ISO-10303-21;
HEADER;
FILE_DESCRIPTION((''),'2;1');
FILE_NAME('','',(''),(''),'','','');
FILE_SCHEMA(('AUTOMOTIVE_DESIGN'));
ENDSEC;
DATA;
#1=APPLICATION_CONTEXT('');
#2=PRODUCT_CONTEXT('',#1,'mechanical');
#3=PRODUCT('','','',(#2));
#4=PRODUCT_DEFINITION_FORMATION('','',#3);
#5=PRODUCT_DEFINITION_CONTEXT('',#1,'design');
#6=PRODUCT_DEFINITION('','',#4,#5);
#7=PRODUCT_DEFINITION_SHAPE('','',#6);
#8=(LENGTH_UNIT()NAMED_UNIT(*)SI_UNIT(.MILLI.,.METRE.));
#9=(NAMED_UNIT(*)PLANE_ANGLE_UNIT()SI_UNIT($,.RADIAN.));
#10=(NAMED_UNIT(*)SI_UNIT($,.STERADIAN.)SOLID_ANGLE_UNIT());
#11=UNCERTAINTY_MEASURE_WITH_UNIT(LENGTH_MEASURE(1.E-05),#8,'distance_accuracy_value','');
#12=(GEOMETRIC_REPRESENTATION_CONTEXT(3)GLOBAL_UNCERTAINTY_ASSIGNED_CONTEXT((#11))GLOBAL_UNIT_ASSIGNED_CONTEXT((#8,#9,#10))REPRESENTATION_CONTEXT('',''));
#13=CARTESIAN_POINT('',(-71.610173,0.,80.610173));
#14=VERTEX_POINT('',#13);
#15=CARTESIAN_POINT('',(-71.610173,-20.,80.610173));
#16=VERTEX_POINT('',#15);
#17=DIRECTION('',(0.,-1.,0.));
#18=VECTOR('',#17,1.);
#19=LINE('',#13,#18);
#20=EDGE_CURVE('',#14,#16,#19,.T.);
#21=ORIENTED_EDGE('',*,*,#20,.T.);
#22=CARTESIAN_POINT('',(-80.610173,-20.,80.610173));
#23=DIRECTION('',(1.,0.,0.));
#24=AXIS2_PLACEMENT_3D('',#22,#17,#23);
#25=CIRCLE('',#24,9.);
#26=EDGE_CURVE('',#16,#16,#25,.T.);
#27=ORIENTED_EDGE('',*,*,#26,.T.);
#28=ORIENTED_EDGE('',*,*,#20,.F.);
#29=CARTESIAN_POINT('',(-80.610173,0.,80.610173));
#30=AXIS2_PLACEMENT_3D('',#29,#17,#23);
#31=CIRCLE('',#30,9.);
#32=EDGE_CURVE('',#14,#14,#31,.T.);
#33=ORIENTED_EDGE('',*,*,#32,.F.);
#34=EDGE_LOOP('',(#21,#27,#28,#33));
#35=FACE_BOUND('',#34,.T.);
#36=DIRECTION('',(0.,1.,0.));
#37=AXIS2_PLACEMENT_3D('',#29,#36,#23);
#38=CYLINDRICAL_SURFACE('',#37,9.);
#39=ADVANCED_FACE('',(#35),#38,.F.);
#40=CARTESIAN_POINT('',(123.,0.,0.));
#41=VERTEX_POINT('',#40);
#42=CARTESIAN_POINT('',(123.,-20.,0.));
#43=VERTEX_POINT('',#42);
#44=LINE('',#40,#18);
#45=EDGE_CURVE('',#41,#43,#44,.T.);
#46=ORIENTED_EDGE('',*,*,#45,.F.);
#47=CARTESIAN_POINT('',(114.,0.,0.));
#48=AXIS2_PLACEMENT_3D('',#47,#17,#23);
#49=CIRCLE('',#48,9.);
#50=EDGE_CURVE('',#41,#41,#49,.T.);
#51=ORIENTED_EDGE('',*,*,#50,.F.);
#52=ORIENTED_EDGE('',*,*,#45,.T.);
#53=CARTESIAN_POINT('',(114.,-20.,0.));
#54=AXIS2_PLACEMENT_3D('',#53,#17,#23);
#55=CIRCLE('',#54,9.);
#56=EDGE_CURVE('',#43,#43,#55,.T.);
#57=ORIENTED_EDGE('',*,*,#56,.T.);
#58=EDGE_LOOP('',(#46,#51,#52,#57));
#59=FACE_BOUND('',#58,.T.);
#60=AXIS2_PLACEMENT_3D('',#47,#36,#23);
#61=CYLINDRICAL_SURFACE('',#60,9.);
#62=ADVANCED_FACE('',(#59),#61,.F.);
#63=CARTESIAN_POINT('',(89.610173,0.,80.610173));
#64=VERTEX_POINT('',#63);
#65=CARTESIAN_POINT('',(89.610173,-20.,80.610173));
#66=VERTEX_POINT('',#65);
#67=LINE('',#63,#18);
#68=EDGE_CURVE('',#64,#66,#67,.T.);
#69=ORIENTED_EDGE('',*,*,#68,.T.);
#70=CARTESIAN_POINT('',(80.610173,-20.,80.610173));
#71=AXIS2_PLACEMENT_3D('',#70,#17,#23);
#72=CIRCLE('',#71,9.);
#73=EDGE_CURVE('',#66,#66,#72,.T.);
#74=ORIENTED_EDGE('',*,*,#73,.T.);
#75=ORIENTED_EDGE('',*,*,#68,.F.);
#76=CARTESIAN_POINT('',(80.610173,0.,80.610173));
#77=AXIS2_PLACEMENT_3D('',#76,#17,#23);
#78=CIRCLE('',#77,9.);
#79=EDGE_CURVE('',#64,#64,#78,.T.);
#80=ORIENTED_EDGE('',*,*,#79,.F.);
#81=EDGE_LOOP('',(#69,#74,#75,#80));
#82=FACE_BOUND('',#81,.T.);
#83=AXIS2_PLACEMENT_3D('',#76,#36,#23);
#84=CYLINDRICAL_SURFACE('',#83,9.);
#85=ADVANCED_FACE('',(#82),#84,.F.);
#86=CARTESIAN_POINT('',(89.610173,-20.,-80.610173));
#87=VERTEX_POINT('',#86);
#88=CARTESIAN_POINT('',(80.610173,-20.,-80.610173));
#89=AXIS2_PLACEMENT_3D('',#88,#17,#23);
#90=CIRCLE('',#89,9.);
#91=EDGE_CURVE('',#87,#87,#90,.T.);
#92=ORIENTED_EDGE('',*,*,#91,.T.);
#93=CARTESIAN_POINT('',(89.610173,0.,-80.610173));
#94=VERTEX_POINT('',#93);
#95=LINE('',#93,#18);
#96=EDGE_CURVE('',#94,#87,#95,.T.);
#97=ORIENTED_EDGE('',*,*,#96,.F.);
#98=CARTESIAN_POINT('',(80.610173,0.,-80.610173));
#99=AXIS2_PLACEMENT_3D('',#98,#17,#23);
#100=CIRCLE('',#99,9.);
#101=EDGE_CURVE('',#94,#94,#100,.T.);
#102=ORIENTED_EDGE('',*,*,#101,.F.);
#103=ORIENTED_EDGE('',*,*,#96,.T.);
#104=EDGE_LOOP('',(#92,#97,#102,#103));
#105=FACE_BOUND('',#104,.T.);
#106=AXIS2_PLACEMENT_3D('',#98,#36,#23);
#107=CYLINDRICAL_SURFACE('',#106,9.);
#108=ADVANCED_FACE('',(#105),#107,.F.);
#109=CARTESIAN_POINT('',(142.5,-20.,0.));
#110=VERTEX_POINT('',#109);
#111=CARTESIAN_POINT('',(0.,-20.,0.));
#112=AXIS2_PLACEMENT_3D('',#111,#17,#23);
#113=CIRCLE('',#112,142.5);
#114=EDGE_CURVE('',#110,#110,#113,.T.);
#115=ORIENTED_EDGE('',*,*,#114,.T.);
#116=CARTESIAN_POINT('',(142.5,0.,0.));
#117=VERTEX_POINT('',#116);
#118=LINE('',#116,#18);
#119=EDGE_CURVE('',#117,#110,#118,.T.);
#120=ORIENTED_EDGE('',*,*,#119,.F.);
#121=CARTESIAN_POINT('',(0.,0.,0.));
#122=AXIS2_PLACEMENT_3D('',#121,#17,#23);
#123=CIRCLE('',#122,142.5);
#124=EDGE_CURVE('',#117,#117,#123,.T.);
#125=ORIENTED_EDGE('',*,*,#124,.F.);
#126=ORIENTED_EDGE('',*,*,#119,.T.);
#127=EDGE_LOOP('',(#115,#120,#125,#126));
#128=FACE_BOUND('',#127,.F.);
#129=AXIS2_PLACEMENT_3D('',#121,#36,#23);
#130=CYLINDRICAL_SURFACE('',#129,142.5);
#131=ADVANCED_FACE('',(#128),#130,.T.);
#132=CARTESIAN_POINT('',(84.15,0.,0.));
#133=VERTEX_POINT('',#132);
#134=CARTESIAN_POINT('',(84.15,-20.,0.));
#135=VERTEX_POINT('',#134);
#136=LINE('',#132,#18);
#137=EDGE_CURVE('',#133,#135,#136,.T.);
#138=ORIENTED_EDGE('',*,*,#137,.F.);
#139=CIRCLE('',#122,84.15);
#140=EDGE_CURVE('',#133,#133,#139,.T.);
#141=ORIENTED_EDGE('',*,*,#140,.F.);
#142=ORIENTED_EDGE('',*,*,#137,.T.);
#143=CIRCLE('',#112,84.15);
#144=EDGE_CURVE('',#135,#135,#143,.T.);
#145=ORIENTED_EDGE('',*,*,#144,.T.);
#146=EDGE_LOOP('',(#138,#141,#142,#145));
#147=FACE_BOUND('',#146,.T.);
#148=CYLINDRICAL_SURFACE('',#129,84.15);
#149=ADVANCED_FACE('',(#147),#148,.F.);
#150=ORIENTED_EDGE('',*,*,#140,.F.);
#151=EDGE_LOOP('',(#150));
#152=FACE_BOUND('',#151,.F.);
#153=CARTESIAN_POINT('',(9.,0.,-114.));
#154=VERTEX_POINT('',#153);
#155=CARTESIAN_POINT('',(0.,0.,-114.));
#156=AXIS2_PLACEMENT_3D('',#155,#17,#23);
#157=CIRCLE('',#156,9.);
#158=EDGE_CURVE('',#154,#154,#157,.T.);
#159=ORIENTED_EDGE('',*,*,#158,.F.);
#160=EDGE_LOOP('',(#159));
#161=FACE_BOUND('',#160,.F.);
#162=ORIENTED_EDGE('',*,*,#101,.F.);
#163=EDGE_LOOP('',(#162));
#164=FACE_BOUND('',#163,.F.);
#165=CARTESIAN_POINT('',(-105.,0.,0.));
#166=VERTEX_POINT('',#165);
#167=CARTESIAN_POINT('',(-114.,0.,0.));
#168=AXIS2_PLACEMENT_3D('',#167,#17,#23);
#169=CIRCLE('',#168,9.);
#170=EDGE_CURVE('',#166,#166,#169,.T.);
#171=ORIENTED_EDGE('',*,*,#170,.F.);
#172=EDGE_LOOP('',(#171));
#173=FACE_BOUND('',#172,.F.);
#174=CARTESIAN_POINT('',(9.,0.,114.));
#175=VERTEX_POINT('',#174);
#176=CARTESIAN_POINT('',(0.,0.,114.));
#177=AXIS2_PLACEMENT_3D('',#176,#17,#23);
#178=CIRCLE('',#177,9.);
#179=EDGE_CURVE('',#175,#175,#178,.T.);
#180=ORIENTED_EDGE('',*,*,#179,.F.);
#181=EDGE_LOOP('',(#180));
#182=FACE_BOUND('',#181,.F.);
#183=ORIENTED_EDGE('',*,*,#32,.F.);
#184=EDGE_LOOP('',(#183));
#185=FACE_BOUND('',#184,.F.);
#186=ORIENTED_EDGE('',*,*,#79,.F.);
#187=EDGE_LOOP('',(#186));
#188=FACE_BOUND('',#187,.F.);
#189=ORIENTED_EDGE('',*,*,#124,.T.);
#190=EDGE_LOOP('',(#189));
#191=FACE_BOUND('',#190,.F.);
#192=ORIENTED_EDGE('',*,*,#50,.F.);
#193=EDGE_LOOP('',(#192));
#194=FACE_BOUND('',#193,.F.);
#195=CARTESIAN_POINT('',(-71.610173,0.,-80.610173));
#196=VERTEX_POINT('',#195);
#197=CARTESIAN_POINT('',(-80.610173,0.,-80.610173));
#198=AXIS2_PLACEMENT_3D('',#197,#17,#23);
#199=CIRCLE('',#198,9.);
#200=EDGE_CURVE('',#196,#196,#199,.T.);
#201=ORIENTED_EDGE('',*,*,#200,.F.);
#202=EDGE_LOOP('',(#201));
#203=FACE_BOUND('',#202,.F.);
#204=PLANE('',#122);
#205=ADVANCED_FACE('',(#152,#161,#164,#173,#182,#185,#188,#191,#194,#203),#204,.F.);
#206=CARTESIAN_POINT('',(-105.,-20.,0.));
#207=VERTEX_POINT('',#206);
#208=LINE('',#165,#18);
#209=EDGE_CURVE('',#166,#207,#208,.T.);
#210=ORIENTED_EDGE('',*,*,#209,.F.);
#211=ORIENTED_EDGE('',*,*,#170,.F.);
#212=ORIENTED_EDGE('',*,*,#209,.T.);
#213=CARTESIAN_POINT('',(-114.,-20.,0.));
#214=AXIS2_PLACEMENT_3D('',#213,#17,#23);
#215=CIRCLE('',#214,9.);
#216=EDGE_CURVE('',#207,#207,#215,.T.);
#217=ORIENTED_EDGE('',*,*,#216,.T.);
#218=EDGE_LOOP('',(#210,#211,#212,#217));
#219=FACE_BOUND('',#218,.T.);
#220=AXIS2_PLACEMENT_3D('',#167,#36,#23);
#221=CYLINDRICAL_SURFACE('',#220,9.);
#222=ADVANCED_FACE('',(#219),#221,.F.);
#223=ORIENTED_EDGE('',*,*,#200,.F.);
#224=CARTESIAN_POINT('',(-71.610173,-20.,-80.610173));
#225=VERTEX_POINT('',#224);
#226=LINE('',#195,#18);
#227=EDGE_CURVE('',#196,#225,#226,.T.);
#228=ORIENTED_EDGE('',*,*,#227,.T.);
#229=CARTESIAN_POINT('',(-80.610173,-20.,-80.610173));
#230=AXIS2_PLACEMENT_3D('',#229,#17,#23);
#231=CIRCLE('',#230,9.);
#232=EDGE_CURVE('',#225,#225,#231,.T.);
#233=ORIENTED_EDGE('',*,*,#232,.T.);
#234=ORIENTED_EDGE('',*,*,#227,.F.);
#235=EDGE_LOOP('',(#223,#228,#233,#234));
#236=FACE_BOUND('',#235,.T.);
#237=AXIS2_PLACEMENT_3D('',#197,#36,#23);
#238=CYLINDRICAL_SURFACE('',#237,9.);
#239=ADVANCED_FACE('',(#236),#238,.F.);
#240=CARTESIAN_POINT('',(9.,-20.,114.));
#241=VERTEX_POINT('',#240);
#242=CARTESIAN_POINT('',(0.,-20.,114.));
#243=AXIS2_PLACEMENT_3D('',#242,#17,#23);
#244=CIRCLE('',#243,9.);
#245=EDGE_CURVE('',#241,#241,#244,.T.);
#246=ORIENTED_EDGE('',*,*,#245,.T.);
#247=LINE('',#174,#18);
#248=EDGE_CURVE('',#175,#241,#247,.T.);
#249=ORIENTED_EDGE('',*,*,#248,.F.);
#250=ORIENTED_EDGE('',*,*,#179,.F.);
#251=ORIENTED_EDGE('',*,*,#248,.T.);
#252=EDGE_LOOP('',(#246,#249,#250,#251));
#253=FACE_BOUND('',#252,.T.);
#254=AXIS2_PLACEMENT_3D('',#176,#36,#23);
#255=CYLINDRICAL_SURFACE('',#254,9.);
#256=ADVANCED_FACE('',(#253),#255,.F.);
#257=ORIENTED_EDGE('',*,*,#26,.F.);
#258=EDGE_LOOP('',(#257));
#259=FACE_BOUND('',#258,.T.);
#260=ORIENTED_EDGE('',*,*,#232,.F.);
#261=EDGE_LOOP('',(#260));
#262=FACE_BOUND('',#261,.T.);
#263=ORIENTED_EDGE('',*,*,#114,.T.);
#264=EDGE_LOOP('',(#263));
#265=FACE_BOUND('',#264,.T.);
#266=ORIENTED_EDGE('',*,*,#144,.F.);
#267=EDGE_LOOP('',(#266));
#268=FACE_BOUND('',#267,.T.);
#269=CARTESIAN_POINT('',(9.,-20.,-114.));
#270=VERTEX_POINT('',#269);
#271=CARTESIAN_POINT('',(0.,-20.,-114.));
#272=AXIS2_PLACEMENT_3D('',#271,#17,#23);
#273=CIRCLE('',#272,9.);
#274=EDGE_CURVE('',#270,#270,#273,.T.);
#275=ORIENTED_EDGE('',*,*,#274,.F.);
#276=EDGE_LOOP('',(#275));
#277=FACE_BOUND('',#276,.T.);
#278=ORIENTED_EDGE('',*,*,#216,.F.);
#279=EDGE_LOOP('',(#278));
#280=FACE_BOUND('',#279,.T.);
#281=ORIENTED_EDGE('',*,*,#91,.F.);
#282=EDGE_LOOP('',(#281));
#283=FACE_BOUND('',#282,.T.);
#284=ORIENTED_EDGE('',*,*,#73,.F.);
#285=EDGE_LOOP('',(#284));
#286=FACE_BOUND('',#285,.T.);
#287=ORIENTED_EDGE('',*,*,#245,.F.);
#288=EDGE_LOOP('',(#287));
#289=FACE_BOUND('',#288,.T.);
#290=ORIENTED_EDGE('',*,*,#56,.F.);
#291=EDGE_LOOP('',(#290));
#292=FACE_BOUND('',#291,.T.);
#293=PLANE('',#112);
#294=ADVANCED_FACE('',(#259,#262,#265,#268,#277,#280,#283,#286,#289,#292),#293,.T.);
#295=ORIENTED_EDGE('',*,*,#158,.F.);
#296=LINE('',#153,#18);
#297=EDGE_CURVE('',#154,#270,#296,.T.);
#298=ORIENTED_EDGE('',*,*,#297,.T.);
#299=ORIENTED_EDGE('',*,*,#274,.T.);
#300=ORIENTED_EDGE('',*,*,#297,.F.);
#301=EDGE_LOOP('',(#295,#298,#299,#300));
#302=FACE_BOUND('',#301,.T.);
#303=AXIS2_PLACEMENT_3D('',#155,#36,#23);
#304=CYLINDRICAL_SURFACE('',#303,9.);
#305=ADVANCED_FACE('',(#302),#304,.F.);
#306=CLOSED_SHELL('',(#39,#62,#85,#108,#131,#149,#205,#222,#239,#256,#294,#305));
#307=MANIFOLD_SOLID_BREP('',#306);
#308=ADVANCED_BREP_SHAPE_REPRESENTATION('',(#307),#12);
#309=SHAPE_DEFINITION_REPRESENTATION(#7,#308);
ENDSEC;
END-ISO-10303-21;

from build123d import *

# Parameters (mm, degrees)
F0_R     = 142.5
F0_R_2   = 9
F0_R_3   = 84.15
F1_DEPTH = 20


with BuildPart() as f1:
    # F0 (on Front) → F1 (new body)
    with BuildSketch(Plane.XZ):
        Circle(F0_R)
        with Locations((-80.610173, -80.610173)):
            Circle(F0_R_2, mode=Mode.SUBTRACT)
        with Locations((0, -114)):
            Circle(F0_R_2, mode=Mode.SUBTRACT)
        with Locations((80.610173, -80.610173)):
            Circle(F0_R_2, mode=Mode.SUBTRACT)
        with Locations((-114, 0)):
            Circle(F0_R_2, mode=Mode.SUBTRACT)
        with Locations((-80.610173, 80.610173)):
            Circle(F0_R_2, mode=Mode.SUBTRACT)
        Circle(F0_R_3, mode=Mode.SUBTRACT)
        with Locations((114, 0)):
            Circle(F0_R_2, mode=Mode.SUBTRACT)
        with Locations((0, 114)):
            Circle(F0_R_2, mode=Mode.SUBTRACT)
        with Locations((80.610173, 80.610173)):
            Circle(F0_R_2, mode=Mode.SUBTRACT)
    extrude(amount=F1_DEPTH)


solid = f1.part
